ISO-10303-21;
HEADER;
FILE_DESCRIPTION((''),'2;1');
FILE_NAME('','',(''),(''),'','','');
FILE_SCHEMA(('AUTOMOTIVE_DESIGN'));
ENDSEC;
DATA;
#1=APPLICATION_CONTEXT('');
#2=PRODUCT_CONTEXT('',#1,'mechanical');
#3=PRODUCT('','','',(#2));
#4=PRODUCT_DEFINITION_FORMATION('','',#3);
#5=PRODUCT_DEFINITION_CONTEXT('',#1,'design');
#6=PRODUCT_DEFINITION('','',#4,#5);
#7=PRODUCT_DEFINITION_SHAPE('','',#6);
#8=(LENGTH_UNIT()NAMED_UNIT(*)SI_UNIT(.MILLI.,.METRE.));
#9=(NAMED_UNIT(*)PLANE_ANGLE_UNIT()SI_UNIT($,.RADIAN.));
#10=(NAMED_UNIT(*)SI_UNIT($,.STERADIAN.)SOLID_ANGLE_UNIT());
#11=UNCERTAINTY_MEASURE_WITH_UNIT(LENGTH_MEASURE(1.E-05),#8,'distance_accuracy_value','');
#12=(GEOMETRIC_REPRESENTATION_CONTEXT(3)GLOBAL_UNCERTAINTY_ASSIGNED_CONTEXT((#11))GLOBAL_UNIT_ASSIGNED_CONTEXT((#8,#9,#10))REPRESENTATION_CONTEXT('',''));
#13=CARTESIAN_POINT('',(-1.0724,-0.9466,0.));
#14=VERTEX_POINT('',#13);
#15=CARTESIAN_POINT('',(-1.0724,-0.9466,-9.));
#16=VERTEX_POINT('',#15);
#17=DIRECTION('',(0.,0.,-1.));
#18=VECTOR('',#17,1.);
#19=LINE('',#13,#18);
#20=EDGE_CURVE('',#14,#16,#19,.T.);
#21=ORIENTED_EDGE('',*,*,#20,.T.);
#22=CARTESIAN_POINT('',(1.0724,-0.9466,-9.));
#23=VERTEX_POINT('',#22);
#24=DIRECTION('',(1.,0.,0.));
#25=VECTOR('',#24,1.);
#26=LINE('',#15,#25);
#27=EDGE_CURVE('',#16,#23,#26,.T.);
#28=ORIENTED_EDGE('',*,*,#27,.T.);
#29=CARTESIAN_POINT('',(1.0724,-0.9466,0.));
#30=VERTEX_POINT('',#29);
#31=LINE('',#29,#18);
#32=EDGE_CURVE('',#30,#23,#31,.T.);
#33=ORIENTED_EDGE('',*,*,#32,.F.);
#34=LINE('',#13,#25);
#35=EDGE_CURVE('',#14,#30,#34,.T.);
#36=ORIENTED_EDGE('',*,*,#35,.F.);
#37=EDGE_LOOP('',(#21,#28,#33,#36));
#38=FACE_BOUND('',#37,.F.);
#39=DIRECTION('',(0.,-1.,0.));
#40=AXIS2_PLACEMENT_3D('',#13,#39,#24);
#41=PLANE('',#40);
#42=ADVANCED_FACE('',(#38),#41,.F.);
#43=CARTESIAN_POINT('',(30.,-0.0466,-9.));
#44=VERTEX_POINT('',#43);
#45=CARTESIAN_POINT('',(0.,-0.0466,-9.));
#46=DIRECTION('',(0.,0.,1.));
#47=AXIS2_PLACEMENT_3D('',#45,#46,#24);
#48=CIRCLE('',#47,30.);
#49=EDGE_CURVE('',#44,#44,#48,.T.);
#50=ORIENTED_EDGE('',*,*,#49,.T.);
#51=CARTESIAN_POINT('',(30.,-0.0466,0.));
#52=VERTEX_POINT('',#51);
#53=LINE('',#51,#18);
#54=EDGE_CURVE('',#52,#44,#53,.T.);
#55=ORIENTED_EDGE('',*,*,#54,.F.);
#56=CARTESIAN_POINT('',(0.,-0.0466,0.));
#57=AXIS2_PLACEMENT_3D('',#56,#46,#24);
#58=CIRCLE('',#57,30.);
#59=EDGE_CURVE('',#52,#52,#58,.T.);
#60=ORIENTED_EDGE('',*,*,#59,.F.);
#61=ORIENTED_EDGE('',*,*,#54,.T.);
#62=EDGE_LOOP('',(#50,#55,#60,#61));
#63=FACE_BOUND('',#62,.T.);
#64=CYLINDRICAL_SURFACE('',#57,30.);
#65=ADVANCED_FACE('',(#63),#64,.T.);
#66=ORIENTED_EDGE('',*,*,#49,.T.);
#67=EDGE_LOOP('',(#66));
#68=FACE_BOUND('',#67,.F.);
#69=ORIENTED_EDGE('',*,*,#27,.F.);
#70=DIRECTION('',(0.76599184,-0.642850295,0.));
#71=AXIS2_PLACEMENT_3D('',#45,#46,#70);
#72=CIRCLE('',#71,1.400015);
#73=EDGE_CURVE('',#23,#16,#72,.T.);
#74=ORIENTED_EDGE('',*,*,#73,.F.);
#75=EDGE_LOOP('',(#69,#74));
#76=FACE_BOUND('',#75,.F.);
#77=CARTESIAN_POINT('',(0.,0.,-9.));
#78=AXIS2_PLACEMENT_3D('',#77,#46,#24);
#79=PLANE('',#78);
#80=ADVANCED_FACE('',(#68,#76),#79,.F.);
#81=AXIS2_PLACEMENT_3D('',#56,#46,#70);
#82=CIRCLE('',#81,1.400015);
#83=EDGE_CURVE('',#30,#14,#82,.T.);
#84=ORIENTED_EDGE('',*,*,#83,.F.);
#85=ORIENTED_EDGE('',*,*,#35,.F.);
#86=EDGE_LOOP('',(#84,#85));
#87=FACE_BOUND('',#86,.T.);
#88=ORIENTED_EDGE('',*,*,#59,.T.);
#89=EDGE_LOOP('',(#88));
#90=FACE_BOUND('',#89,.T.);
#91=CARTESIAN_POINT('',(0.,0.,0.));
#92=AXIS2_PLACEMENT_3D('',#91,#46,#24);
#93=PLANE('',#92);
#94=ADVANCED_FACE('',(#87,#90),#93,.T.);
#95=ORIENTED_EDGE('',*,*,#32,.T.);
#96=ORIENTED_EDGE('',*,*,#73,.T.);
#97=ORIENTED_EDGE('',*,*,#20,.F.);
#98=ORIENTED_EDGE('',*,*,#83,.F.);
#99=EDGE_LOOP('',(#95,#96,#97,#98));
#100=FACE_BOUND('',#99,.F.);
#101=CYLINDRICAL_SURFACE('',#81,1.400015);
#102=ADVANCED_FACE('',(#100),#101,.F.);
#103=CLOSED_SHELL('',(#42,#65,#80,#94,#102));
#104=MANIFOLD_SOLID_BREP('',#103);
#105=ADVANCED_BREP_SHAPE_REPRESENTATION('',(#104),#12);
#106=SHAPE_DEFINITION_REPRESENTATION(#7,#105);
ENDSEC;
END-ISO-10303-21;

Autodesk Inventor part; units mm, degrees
ref_plane "YZ Plane" through (0, 0, 0) normal (1, 0, 0) x (0, 1, 0)
ref_plane "XZ Plane" through (0, 0, 0) normal (0, 1, 0) x (-1, 0, 0)
ref_plane "XY Plane" through (0, 0, 0) normal (0, 0, 1) x (1, 0, 0)
sketch "Esquisse1" plane through (0, 0, 0) normal (0, 0, 1) x (1, 0, 0)
  arc A0 (1.0724, -0.9466) -> (-1.0724, -0.9466) centre (0, -0.0466) ccw projected
  line L0 (-1.0724, -0.9466) -> (1.0724, -0.9466) projected
  circle A1 centre (0, -0.0466) radius 30
  point P0 (0, 0)
  dimension "d0" = 60
extrude "Extrusion1" add sketch "Esquisse1" against normal blind 9
equation "\"d0\" = d_wheel"
equation "\"d1\" = epaisseur_wheel"
equation "\"epaisseur\" = 6"
equation "\"ecartement\" = 25"
equation "\"dvis\" = 3"
equation "\"largeur\" = 32"
equation "\"L_attache_carte\" = 15"
equation "\"marge_attache_carte\" = 5"
equation "\"L_cubi\" = 81.6"
equation "\"largeur_cubi\" = 81.6"
equation "\"L_moteur\" = 28.3"
equation "\"marge_trou\" = 2"
equation "\"taille_trou\" = 7"
equation "\"H_cubi\" = 81.6"
equation "\"d_wheel\" = 60"
equation "\"epaisseur_wheel\" = 9"
equation "\"H_nez\" = 25"
equation "\"chanfrein\" = 0.5"
equation "\"L_trou_int\" = 1"
equation "\"H_trou_int\" = 0.2"
equation "\"pos_trou_int_1\" = 0.7"
equation "\"pos_trou_int_2\" = 3"
equation "\"epaisseur_metabois\" = 3"
equation "\"L_metabois\" = 8.2"
equation "\"epaisseur_modules\" = 6"
properties part number "small_wheel"
